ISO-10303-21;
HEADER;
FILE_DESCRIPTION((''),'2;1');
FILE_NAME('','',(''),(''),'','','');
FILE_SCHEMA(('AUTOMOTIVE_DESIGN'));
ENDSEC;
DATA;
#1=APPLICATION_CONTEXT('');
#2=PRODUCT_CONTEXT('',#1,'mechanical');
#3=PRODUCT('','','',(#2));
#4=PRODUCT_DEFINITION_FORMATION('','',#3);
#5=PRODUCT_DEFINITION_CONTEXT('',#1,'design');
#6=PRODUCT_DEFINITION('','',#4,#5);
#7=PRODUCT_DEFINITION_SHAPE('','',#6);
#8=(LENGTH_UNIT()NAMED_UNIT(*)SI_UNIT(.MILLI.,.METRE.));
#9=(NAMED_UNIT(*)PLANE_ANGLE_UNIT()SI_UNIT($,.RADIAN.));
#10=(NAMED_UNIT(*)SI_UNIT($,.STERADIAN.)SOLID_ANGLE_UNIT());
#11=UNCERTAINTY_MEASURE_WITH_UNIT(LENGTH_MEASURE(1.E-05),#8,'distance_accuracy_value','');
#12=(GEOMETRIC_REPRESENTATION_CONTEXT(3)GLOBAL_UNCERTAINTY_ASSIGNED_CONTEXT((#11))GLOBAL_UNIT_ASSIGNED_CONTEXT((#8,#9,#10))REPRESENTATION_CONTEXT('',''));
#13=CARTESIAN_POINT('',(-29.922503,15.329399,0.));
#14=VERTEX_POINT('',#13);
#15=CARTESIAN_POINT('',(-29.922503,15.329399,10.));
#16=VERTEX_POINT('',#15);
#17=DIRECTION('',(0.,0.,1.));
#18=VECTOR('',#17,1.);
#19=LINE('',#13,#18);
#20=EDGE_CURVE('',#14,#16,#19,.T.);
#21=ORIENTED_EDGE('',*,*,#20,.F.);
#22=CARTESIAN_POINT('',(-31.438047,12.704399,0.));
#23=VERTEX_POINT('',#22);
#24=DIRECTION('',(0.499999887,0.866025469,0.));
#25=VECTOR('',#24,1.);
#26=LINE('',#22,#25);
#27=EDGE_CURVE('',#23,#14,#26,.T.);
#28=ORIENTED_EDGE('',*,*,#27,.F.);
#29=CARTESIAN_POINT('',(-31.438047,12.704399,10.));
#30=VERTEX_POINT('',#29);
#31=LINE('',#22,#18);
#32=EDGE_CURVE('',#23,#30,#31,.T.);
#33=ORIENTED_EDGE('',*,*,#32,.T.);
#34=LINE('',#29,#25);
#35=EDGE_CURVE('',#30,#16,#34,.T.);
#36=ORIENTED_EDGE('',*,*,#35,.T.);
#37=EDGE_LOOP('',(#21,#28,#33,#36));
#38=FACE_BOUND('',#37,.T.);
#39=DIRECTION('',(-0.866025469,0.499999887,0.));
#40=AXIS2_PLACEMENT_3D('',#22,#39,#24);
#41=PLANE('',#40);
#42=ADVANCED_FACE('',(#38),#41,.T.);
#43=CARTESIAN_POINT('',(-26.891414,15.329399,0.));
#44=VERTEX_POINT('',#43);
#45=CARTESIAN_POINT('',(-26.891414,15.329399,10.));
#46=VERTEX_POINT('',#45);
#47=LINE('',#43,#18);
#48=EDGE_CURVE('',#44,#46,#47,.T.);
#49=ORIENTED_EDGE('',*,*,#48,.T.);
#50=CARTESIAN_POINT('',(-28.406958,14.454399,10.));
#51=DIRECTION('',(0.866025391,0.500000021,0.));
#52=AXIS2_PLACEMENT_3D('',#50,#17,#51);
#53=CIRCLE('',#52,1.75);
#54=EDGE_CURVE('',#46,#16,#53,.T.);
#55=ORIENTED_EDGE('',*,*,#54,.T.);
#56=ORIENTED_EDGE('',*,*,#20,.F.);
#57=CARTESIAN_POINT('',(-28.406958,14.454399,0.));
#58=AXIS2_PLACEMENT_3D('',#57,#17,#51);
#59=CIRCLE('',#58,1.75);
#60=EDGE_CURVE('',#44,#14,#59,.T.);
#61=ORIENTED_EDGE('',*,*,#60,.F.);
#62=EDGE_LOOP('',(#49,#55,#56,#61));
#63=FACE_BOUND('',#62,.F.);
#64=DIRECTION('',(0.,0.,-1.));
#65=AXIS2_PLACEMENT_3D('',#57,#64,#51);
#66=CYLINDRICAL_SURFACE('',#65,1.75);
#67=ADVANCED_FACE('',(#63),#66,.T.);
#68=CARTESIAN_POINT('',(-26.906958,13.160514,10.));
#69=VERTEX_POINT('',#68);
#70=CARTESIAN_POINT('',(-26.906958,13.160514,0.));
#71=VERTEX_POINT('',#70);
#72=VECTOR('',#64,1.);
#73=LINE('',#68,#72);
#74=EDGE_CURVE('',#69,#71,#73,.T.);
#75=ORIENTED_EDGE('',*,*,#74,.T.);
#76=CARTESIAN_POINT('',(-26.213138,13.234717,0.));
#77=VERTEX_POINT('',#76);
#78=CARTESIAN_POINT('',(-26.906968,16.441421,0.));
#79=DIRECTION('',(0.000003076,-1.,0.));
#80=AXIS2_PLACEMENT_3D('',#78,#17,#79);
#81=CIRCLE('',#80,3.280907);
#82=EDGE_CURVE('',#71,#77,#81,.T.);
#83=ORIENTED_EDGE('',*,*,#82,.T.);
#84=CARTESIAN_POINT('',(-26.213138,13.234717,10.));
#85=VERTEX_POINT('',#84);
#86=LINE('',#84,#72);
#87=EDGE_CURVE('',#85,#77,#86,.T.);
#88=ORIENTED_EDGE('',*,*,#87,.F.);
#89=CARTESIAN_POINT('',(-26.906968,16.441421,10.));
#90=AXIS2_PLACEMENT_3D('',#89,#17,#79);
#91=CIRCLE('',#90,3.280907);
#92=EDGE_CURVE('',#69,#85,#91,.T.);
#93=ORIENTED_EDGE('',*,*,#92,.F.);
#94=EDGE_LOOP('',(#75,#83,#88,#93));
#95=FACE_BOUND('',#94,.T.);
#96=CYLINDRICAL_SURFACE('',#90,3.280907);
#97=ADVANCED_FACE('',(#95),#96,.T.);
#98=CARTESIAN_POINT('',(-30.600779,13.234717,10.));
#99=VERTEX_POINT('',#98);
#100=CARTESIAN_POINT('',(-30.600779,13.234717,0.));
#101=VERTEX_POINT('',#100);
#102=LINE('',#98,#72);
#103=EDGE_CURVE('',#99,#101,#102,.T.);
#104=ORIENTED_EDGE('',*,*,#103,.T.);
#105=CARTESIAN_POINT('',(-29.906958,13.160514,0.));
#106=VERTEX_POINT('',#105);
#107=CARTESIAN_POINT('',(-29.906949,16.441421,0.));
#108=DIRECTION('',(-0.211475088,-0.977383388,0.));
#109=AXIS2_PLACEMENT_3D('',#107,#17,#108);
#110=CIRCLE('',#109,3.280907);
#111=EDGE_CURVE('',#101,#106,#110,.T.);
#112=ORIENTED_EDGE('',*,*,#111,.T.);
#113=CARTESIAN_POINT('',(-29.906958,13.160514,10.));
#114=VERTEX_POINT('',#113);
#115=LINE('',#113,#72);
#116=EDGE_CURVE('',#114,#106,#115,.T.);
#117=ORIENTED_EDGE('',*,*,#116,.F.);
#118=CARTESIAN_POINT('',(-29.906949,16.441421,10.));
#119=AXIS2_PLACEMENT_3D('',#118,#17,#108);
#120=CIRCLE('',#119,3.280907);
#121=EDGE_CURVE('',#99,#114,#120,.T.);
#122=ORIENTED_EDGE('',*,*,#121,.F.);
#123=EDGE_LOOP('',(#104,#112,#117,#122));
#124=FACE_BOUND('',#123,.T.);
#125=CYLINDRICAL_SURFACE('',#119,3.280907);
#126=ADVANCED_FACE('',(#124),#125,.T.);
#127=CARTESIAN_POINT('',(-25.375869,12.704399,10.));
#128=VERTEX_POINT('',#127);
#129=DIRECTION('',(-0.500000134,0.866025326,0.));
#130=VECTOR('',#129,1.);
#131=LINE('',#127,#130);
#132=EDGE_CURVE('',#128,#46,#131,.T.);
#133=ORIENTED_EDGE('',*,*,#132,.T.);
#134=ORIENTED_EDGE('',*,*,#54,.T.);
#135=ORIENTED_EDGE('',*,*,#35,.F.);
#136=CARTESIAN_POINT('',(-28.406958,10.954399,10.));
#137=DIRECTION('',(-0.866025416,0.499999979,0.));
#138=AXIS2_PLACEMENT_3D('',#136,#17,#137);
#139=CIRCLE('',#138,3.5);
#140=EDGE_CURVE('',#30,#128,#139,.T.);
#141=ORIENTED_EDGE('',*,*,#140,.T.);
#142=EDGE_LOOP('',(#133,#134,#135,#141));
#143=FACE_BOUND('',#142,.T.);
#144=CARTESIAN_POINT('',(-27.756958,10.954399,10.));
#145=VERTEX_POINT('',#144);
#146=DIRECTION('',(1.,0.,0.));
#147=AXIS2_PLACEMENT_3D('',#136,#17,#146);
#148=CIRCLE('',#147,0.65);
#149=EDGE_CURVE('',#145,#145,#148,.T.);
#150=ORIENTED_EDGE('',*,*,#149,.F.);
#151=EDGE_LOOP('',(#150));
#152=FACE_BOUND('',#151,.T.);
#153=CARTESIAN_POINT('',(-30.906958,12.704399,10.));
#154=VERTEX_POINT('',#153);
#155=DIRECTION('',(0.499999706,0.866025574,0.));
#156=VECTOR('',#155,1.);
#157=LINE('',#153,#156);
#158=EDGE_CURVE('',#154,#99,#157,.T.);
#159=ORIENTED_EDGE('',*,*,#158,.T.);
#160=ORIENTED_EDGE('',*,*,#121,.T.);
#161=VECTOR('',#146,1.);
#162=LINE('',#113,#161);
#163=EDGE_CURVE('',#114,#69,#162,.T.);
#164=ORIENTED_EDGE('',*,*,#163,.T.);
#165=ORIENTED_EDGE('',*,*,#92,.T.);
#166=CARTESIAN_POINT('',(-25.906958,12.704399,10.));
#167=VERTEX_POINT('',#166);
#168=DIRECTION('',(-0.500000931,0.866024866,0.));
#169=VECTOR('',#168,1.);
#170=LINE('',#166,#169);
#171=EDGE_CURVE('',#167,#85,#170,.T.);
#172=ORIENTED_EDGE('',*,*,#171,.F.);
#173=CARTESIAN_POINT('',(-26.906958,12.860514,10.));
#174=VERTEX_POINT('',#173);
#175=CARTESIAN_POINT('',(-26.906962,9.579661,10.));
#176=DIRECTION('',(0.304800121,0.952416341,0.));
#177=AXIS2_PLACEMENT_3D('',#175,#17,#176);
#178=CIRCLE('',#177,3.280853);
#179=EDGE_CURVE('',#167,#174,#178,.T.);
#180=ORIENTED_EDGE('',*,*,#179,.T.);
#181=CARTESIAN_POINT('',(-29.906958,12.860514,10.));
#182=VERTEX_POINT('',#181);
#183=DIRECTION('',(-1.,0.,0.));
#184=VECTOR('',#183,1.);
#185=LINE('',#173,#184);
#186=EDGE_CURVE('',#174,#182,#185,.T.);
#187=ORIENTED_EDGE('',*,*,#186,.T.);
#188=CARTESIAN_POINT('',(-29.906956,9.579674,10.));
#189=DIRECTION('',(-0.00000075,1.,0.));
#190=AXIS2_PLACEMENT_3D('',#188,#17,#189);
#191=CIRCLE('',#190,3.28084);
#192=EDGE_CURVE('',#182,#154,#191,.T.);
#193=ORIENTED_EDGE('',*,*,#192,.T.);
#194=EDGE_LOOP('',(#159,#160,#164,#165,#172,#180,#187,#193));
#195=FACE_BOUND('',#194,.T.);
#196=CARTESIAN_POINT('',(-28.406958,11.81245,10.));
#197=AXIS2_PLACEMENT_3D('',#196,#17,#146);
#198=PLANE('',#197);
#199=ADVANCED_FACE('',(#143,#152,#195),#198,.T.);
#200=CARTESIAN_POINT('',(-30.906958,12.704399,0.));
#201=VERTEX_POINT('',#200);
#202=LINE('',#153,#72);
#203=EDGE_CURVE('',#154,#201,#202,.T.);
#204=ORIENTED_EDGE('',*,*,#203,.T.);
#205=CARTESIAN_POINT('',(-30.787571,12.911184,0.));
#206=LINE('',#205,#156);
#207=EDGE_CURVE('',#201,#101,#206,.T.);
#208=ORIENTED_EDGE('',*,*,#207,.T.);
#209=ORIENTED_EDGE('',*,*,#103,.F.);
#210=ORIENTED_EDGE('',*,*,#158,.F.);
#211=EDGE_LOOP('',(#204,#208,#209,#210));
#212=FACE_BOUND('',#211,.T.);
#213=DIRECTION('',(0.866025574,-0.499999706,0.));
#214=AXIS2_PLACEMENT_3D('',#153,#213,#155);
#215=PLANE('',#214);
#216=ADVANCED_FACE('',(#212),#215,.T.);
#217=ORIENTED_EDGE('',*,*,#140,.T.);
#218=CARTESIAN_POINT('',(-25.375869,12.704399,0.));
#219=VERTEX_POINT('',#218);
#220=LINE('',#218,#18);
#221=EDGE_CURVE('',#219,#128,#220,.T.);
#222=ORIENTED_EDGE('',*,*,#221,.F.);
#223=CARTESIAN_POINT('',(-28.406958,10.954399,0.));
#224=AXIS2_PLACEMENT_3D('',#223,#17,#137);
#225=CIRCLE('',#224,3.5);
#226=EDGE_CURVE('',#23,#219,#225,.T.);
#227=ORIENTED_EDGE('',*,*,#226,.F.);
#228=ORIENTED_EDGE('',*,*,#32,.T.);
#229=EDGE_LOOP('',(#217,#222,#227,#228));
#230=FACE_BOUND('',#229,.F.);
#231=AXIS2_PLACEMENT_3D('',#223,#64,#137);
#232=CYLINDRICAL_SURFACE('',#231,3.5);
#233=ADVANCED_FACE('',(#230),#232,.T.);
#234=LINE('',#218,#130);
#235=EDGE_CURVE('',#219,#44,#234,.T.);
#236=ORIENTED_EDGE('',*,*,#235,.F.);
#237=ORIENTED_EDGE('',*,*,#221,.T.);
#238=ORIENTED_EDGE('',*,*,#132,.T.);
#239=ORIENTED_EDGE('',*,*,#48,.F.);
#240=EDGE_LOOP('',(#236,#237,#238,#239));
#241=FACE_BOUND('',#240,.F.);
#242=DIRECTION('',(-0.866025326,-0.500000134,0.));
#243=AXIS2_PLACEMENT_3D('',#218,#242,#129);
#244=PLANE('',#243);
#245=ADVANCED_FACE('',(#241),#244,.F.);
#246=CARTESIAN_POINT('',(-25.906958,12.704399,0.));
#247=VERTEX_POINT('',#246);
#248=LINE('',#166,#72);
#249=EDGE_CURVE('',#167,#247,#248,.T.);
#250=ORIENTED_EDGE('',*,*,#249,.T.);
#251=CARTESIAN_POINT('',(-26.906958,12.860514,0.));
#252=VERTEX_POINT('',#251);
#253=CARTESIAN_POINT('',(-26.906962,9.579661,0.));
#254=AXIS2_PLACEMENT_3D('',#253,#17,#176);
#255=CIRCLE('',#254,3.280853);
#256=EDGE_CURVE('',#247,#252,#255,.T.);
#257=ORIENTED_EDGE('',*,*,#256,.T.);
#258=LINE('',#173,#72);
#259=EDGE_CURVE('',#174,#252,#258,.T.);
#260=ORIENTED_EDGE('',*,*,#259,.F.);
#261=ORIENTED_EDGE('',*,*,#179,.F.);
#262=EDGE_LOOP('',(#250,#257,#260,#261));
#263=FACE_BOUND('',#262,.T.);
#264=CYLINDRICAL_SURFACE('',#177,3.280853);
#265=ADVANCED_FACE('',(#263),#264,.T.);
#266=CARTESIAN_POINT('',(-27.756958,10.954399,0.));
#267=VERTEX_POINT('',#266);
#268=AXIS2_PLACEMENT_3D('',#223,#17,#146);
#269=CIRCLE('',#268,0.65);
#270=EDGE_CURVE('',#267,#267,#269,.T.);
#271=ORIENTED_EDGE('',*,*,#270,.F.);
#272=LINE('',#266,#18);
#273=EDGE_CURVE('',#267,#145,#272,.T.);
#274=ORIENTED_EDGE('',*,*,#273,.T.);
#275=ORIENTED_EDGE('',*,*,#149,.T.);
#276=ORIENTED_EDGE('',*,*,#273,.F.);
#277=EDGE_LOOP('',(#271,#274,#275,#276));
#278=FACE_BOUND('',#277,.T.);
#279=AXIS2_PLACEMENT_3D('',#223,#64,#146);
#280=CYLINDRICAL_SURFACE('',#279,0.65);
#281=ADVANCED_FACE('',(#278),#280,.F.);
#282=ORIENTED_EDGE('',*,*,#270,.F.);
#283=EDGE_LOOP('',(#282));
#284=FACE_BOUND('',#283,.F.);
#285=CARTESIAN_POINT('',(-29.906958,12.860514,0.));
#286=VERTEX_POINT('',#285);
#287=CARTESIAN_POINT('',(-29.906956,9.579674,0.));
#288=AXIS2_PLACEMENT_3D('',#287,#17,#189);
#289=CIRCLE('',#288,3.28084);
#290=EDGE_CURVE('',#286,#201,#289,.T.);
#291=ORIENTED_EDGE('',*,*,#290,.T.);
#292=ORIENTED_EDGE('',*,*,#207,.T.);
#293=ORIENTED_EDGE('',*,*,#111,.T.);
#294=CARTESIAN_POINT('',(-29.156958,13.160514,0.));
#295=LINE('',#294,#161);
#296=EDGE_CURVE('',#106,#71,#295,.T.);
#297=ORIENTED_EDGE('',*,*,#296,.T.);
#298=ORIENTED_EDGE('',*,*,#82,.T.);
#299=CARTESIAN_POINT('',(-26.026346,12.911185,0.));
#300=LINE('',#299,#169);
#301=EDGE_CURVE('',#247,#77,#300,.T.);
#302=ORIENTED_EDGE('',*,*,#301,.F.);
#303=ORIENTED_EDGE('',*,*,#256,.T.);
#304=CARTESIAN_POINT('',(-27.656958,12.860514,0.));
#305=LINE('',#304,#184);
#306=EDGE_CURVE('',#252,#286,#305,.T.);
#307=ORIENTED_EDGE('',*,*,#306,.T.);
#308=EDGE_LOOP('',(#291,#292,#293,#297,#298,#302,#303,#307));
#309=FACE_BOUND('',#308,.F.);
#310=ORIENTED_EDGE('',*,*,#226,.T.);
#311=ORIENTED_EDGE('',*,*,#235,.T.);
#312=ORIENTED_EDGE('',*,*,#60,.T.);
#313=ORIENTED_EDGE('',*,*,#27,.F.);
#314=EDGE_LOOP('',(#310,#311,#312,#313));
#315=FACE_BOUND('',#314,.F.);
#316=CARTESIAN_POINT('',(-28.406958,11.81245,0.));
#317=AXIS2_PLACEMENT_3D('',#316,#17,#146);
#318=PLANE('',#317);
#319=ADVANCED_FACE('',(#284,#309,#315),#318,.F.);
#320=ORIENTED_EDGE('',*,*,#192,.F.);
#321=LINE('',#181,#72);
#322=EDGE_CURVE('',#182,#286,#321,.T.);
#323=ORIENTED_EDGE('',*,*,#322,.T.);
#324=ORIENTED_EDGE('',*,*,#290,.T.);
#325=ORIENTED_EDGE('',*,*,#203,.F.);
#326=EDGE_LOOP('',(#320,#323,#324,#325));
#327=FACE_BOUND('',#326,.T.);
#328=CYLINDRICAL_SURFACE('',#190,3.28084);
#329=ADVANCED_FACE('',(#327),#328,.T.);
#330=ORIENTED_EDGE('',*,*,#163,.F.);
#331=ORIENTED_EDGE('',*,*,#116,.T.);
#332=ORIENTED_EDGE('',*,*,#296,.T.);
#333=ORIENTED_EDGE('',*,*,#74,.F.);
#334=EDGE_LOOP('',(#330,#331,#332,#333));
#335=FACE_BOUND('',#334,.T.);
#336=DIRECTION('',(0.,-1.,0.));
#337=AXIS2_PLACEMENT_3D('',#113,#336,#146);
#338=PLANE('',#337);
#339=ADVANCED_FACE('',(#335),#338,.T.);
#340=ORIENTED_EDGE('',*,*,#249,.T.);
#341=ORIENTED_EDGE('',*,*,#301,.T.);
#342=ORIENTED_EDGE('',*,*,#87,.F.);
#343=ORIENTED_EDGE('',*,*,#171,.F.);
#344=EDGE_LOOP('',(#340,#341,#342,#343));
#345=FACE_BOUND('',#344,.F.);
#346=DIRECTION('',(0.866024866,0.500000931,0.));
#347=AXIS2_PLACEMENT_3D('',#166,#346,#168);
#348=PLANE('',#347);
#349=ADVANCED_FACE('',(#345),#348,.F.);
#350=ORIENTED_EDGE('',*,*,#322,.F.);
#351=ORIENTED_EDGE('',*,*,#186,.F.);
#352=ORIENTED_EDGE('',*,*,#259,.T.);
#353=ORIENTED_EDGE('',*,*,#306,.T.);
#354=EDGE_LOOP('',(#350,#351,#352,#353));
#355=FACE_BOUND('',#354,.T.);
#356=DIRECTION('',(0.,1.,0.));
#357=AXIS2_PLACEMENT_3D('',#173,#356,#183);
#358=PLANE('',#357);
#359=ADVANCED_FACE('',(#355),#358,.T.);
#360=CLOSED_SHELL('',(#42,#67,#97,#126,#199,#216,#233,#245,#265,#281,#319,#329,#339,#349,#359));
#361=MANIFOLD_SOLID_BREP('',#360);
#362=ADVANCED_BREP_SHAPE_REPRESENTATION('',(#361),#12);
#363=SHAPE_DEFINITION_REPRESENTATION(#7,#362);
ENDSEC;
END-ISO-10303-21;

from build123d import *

# Parameters (mm, degrees)
SKETCH_R     = 0.65
PAD_DEPTH    = 10
POCKET_DEPTH = 10.001


with BuildPart() as part:
    # Sketch → Pad (new body)
    with BuildSketch(Plane.XY):
        with BuildLine():
            ThreePointArc((-31.438047, 12.704399), (-28.406958, 7.454399), (-25.375869, 12.704399))
            Line((-25.375869, 12.704399), (-26.891414, 15.329399))
            ThreePointArc((-26.891414, 15.329399), (-28.406958, 16.204399), (-29.922503, 15.329399))
            Line((-31.438047, 12.704399), (-29.922503, 15.329399))
        make_face()
        with Locations((-28.406958, 10.954399)):
            Circle(SKETCH_R, mode=Mode.SUBTRACT)
    extrude(amount=PAD_DEPTH)

    # Sketch001 (on Face7 of Pad) → Pocket (cut, through all)
    with BuildSketch(Plane.XY.offset(10)):
        with BuildLine():
            ThreePointArc((-30.600779, 13.234717), (-30.255847, 13.179118), (-29.906958, 13.160514))
            Line((-29.906958, 13.160514), (-26.906958, 13.160514))
            ThreePointArc((-26.906958, 13.160514), (-26.55807, 13.179118), (-26.213138, 13.234717))
            Line((-25.906958, 12.704399), (-26.213138, 13.234717))
            ThreePointArc((-25.906958, 12.704399), (-26.400902, 12.82125), (-26.906958, 12.860514))
            Line((-26.906958, 12.860514), (-29.906958, 12.860514))
            ThreePointArc((-29.906958, 12.860514), (-30.413015, 12.82125), (-30.906958, 12.704399))
            Line((-30.906958, 12.704399), (-30.600779, 13.234717))
        make_face()
    extrude(amount=-POCKET_DEPTH, mode=Mode.SUBTRACT)


solid = part.part
